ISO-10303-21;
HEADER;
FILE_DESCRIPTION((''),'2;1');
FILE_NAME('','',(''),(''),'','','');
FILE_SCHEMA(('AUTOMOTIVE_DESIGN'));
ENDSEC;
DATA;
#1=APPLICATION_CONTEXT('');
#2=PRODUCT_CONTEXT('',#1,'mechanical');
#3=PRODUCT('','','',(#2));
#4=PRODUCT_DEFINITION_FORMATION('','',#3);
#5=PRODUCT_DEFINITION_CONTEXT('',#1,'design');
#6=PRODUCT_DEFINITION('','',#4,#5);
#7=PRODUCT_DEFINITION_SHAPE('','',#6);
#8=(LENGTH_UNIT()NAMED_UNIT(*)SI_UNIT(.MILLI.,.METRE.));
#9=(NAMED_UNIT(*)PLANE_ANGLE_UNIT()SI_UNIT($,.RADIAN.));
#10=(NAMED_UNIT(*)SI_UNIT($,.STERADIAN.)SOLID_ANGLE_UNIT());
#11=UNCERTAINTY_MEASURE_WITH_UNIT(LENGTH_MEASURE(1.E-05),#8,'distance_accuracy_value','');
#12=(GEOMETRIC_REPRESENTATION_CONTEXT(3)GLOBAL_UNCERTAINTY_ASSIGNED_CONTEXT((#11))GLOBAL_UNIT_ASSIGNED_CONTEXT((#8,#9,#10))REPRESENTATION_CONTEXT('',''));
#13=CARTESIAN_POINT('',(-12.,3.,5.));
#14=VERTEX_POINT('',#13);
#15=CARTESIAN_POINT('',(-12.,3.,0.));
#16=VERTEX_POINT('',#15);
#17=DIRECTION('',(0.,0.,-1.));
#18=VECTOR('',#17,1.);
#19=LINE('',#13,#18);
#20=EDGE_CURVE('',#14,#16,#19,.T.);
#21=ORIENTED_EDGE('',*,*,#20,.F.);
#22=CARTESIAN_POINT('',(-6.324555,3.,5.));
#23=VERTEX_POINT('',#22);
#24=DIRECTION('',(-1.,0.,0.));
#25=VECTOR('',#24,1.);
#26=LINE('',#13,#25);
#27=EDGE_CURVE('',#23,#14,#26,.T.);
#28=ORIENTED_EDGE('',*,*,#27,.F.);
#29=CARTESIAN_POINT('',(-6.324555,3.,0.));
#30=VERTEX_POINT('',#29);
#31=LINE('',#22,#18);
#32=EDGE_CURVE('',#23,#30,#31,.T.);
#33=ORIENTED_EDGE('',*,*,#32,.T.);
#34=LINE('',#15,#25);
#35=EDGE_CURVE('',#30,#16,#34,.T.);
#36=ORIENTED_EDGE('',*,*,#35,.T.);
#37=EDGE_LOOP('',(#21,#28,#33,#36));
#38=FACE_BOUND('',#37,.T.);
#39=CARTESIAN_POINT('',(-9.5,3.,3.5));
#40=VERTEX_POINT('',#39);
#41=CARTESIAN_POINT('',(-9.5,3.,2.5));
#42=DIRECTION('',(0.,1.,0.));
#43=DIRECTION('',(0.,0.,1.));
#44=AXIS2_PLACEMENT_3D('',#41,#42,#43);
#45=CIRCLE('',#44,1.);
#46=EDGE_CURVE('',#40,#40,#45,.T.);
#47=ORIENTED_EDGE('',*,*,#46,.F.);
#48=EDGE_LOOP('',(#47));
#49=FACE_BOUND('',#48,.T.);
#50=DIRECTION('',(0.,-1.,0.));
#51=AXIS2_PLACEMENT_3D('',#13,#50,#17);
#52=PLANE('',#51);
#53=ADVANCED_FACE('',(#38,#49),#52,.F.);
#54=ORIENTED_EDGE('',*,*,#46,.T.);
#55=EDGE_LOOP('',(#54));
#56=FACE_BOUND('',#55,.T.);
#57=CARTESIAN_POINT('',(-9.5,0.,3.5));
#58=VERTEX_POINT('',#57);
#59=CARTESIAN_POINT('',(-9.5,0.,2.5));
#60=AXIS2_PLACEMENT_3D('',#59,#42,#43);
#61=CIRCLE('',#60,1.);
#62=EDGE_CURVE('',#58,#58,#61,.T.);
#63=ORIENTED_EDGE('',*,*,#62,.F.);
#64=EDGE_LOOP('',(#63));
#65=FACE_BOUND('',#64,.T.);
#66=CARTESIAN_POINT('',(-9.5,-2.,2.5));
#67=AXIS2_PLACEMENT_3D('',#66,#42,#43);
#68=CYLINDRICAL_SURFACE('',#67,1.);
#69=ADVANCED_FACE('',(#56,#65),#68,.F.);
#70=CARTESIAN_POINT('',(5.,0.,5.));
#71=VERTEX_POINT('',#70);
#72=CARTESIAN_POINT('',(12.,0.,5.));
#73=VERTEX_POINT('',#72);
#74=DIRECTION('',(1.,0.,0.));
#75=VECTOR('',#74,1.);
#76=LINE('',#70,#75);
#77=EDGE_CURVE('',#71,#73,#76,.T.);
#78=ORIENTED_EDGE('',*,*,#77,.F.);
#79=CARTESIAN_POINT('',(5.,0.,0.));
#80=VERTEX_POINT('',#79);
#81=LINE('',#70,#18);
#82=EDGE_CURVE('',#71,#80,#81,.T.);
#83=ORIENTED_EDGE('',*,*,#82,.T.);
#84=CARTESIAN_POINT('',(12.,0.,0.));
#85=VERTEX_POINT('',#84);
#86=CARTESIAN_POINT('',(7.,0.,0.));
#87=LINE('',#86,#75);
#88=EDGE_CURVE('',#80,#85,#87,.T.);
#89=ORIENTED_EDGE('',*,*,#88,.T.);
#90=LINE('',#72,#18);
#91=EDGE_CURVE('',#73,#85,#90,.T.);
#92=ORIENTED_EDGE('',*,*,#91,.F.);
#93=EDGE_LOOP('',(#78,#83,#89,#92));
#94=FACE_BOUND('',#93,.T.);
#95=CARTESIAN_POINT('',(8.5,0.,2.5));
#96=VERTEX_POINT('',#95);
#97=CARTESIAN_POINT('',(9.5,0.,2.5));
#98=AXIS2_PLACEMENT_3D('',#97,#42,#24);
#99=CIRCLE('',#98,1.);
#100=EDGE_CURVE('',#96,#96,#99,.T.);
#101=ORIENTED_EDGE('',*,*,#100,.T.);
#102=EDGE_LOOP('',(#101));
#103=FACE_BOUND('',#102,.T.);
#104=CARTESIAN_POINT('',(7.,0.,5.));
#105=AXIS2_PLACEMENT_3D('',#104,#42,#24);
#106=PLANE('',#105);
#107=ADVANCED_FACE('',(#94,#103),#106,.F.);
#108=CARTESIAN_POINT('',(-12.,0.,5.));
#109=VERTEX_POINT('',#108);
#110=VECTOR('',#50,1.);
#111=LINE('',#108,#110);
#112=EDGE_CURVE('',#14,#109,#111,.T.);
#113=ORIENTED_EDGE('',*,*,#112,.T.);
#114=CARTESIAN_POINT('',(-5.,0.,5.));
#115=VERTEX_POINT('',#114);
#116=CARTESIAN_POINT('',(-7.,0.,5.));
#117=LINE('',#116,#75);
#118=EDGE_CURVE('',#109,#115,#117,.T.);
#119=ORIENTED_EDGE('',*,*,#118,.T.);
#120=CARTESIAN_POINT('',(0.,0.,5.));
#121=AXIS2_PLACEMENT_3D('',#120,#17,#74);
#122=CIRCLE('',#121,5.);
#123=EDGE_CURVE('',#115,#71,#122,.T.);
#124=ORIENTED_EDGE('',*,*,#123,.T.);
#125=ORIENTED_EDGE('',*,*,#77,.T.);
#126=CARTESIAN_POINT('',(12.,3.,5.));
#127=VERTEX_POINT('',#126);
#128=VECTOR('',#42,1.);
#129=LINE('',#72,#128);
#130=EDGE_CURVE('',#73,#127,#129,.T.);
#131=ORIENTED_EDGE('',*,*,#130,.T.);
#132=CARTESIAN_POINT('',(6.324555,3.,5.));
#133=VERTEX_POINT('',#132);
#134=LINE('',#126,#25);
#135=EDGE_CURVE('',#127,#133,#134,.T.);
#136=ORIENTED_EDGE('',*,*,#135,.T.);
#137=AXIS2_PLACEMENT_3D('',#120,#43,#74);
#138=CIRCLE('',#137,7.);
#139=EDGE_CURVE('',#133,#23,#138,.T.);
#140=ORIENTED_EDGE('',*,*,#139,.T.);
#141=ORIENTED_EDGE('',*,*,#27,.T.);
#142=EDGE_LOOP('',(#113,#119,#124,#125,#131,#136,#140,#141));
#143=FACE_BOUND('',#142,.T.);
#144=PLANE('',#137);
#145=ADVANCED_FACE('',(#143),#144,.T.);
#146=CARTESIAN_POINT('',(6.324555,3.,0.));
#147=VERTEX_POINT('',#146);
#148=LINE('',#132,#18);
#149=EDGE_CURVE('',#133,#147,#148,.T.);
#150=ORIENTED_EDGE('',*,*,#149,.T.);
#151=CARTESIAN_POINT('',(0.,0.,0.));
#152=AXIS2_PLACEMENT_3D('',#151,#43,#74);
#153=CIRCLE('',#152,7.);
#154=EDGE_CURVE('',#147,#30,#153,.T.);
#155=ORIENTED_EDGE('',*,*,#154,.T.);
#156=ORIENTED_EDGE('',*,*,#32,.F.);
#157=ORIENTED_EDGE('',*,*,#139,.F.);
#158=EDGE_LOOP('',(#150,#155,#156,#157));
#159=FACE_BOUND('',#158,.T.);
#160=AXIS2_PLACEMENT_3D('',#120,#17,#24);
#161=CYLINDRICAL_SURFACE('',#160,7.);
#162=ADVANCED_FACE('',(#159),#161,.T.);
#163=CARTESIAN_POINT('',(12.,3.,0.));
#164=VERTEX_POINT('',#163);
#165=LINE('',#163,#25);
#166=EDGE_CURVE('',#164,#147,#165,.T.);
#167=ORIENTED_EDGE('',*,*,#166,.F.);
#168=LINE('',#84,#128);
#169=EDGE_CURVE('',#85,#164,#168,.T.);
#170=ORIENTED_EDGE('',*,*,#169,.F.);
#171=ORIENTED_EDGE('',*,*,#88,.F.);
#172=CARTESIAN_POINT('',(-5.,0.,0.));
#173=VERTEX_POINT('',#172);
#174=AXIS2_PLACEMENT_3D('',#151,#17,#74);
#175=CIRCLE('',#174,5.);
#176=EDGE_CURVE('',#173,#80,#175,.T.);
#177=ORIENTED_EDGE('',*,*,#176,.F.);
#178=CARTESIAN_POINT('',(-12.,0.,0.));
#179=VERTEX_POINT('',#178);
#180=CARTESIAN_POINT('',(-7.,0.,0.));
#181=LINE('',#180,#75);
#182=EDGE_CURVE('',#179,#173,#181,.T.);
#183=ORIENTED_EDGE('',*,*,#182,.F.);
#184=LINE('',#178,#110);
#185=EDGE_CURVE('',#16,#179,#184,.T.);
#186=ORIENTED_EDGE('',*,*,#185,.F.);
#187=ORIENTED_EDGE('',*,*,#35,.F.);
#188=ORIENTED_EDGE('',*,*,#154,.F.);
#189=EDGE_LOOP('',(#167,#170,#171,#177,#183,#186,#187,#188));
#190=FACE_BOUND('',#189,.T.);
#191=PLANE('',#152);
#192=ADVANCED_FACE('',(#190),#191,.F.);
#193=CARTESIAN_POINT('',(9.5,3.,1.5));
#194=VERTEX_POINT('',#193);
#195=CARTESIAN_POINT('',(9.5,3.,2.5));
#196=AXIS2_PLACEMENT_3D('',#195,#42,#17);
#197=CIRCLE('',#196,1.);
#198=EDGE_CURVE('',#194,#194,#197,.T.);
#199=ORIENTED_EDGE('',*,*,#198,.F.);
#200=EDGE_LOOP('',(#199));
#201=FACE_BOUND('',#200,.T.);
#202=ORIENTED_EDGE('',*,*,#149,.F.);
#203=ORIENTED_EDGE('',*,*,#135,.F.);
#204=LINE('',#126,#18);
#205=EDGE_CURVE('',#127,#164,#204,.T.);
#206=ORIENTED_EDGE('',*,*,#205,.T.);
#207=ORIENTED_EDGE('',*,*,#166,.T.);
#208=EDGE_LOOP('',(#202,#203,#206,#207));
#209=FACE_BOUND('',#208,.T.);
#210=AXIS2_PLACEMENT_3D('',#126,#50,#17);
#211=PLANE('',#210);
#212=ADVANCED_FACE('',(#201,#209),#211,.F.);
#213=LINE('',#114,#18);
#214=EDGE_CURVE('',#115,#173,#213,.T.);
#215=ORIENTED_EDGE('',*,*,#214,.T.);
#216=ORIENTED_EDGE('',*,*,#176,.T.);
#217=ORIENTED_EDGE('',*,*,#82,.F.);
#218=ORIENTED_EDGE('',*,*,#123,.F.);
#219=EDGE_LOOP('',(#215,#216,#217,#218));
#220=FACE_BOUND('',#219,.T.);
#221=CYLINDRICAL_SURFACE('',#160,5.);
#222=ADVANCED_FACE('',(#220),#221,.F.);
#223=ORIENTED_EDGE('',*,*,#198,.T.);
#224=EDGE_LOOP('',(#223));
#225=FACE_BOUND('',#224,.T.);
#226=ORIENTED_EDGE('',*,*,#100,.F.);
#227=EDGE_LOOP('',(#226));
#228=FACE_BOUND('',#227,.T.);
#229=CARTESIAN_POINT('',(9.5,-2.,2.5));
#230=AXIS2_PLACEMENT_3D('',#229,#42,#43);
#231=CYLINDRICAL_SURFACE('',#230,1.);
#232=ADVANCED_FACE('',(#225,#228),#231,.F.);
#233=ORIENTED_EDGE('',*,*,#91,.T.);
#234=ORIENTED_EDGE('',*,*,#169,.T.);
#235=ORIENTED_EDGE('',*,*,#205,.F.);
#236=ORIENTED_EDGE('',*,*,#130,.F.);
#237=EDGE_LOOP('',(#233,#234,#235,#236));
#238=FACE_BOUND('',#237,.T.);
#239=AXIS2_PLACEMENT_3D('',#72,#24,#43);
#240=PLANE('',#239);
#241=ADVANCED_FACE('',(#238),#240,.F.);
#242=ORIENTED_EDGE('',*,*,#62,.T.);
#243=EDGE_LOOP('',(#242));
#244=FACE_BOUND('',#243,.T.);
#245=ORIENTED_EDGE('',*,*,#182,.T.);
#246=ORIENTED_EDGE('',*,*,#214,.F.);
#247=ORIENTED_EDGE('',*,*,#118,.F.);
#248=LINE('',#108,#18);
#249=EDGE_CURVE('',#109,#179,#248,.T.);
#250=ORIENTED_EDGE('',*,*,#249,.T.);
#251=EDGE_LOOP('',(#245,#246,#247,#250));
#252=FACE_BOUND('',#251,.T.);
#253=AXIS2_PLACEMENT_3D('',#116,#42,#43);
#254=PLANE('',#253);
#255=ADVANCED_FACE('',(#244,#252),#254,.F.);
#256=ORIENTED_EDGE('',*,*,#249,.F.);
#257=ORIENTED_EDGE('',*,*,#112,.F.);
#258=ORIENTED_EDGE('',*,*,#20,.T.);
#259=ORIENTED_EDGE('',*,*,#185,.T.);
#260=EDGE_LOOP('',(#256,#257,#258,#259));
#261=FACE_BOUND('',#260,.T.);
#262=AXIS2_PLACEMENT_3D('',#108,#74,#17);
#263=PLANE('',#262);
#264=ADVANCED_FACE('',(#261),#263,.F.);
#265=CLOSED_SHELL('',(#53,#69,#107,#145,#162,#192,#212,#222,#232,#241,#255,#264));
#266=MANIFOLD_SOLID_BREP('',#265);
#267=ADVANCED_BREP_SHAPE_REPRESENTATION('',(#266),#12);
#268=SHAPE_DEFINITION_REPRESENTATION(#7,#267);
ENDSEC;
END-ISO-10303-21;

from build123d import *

# Parameters (mm, degrees)
BOSS_EXTRUDE1_DEPTH = 5
SKETCH2_R           = 1
CUT_EXTRUDE1_DEPTH  = 5


with BuildPart() as part:
    # Sketch1 → Boss-Extrude1 (new body)
    with BuildSketch(Plane.XY):
        with BuildLine():
            Line((-7, 0), (-5, 0))
            ThreePointArc((-5, 0), (0, 5), (5, 0))
            Line((5, 0), (7, 0))
            Line((7, 0), (12, 0))
            Line((12, 0), (12, 3))
            Line((12, 3), (6.32455532, 3))
            ThreePointArc((6.32455532, 3), (0, 7), (-6.32455532, 3))
            Line((-6.32455532, 3), (-12, 3))
            Line((-12, 3), (-12, 0))
            Line((-12, 0), (-7, 0))
        make_face()
    extrude(amount=BOSS_EXTRUDE1_DEPTH)

    # Sketch2 → Cut-Extrude1 (cut)
    with BuildSketch(Plane(origin=(0, 3, 0), x_dir=(1, 0, 0), z_dir=(0, 1, 0))):
        with Locations(Location((-9.5, -2.5, 0), (0, 0, 270))):
            Circle(SKETCH2_R)
        with Locations(Location((9.5, -2.5, 0), (0, 0, 180))):
            Circle(SKETCH2_R)
    extrude(amount=-CUT_EXTRUDE1_DEPTH, mode=Mode.SUBTRACT)


solid = part.part
